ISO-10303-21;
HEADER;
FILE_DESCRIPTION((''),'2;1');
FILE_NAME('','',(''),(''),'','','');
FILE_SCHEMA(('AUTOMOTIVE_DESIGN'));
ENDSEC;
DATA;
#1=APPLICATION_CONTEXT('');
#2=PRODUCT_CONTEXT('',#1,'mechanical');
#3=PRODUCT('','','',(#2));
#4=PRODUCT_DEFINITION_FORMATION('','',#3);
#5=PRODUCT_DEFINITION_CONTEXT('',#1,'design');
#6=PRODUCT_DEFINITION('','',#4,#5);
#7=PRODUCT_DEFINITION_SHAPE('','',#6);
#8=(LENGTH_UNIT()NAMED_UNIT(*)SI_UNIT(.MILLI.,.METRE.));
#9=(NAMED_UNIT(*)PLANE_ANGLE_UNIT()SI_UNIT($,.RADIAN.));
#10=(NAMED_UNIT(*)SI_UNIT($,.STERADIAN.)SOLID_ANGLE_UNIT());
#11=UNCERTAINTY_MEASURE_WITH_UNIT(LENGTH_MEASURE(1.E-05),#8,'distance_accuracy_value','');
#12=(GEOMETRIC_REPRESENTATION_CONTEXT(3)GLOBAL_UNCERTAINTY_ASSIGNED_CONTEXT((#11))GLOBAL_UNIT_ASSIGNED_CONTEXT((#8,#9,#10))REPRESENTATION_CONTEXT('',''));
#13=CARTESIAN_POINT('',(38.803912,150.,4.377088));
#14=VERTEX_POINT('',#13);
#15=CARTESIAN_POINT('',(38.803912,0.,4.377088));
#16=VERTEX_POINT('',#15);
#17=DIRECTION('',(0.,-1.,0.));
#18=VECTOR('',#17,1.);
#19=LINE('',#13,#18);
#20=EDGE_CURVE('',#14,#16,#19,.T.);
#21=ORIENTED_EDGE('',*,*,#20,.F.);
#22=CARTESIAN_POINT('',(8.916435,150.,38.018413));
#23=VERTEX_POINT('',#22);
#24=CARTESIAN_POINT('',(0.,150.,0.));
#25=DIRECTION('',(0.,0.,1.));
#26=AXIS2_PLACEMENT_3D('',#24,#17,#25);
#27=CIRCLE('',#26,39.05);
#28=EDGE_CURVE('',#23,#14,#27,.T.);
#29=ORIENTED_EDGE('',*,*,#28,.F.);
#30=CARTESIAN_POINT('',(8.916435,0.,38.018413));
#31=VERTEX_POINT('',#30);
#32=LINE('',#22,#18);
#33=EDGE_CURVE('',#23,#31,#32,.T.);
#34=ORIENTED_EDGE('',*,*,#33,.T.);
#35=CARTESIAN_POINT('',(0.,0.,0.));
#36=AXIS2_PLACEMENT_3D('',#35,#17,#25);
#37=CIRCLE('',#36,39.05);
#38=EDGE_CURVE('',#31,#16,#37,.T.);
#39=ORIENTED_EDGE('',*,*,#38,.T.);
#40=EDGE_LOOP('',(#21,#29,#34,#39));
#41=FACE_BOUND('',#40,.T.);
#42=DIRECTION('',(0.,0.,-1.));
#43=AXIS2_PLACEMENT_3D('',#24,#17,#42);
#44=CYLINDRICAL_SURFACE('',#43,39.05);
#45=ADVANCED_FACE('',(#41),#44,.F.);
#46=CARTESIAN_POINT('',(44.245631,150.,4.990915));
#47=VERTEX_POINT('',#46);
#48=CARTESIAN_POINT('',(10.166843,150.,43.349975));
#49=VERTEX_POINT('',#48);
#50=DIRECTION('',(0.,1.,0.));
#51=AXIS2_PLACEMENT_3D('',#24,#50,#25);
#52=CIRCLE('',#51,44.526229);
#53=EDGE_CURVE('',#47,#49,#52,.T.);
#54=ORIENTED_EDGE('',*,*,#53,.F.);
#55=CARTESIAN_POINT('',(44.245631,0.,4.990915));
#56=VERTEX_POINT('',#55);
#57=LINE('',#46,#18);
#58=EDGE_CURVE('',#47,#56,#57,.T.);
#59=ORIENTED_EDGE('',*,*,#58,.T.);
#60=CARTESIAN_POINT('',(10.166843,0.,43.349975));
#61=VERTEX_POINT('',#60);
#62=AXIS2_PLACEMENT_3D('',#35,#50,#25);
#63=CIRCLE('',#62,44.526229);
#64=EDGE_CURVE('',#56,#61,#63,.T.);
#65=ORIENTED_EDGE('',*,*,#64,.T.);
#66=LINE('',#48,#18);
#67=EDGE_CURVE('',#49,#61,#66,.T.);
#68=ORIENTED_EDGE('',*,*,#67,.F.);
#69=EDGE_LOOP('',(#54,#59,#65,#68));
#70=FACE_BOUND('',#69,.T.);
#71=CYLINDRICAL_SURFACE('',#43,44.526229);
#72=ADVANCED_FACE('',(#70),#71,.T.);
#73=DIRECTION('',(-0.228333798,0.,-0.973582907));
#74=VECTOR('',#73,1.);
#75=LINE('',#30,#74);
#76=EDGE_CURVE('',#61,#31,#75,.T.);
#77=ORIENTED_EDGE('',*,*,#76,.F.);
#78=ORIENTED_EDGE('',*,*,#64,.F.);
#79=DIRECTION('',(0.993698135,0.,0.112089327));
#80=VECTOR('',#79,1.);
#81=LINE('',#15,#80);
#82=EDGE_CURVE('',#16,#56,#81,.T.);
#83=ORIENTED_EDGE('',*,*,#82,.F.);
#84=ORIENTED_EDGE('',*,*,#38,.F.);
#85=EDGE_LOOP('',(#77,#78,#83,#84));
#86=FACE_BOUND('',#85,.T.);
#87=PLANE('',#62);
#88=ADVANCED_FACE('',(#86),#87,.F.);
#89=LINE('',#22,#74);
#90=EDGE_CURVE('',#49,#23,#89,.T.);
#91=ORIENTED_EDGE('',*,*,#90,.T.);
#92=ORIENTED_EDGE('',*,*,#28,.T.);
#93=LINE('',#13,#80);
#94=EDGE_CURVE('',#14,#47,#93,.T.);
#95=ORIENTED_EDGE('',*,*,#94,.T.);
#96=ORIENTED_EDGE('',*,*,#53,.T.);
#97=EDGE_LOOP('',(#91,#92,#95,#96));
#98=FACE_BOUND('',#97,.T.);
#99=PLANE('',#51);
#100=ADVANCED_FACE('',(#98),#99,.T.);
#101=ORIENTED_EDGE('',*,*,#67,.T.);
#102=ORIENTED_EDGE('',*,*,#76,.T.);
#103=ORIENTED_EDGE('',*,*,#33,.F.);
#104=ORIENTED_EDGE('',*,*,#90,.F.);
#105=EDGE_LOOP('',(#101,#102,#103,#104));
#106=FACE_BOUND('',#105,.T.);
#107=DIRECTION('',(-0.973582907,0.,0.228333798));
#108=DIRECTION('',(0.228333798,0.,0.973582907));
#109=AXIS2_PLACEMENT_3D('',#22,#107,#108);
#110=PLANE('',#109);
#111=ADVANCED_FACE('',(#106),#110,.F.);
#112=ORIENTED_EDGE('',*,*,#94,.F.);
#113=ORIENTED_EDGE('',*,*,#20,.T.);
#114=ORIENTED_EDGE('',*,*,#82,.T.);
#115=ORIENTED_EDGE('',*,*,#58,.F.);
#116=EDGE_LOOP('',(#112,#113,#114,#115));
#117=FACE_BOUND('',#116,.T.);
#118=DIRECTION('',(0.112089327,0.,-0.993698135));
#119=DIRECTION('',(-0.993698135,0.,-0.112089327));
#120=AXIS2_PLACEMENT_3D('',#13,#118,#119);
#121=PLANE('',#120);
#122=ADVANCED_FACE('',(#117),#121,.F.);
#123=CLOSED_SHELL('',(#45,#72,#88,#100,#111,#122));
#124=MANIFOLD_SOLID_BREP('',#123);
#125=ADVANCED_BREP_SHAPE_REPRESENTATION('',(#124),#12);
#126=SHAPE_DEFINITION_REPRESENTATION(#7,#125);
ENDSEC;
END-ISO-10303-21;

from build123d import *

# Parameters (mm, degrees)
BOSS_EXTRUDE1_DEPTH = 150


with BuildPart() as part:
    # Sketch1 → Boss-Extrude1 (new body)
    with BuildSketch(Plane(origin=(0, 0, 0), x_dir=(1, 0, 0), z_dir=(0, 1, 0))):
        with BuildLine():
            Line((38.803912156, -4.377088234), (44.245630671, -4.990915057))
            ThreePointArc((44.245630671, -4.990915057), (-33.287140172, 29.57281464), (10.166842993, -43.349975434))
            Line((10.166842993, -43.349975434), (8.91643483, -38.018412512))
            ThreePointArc((8.91643483, -38.018412512), (-29.193193623, 25.935688657), (38.803912156, -4.377088234))
        make_face()
    extrude(amount=BOSS_EXTRUDE1_DEPTH)


solid = part.part
